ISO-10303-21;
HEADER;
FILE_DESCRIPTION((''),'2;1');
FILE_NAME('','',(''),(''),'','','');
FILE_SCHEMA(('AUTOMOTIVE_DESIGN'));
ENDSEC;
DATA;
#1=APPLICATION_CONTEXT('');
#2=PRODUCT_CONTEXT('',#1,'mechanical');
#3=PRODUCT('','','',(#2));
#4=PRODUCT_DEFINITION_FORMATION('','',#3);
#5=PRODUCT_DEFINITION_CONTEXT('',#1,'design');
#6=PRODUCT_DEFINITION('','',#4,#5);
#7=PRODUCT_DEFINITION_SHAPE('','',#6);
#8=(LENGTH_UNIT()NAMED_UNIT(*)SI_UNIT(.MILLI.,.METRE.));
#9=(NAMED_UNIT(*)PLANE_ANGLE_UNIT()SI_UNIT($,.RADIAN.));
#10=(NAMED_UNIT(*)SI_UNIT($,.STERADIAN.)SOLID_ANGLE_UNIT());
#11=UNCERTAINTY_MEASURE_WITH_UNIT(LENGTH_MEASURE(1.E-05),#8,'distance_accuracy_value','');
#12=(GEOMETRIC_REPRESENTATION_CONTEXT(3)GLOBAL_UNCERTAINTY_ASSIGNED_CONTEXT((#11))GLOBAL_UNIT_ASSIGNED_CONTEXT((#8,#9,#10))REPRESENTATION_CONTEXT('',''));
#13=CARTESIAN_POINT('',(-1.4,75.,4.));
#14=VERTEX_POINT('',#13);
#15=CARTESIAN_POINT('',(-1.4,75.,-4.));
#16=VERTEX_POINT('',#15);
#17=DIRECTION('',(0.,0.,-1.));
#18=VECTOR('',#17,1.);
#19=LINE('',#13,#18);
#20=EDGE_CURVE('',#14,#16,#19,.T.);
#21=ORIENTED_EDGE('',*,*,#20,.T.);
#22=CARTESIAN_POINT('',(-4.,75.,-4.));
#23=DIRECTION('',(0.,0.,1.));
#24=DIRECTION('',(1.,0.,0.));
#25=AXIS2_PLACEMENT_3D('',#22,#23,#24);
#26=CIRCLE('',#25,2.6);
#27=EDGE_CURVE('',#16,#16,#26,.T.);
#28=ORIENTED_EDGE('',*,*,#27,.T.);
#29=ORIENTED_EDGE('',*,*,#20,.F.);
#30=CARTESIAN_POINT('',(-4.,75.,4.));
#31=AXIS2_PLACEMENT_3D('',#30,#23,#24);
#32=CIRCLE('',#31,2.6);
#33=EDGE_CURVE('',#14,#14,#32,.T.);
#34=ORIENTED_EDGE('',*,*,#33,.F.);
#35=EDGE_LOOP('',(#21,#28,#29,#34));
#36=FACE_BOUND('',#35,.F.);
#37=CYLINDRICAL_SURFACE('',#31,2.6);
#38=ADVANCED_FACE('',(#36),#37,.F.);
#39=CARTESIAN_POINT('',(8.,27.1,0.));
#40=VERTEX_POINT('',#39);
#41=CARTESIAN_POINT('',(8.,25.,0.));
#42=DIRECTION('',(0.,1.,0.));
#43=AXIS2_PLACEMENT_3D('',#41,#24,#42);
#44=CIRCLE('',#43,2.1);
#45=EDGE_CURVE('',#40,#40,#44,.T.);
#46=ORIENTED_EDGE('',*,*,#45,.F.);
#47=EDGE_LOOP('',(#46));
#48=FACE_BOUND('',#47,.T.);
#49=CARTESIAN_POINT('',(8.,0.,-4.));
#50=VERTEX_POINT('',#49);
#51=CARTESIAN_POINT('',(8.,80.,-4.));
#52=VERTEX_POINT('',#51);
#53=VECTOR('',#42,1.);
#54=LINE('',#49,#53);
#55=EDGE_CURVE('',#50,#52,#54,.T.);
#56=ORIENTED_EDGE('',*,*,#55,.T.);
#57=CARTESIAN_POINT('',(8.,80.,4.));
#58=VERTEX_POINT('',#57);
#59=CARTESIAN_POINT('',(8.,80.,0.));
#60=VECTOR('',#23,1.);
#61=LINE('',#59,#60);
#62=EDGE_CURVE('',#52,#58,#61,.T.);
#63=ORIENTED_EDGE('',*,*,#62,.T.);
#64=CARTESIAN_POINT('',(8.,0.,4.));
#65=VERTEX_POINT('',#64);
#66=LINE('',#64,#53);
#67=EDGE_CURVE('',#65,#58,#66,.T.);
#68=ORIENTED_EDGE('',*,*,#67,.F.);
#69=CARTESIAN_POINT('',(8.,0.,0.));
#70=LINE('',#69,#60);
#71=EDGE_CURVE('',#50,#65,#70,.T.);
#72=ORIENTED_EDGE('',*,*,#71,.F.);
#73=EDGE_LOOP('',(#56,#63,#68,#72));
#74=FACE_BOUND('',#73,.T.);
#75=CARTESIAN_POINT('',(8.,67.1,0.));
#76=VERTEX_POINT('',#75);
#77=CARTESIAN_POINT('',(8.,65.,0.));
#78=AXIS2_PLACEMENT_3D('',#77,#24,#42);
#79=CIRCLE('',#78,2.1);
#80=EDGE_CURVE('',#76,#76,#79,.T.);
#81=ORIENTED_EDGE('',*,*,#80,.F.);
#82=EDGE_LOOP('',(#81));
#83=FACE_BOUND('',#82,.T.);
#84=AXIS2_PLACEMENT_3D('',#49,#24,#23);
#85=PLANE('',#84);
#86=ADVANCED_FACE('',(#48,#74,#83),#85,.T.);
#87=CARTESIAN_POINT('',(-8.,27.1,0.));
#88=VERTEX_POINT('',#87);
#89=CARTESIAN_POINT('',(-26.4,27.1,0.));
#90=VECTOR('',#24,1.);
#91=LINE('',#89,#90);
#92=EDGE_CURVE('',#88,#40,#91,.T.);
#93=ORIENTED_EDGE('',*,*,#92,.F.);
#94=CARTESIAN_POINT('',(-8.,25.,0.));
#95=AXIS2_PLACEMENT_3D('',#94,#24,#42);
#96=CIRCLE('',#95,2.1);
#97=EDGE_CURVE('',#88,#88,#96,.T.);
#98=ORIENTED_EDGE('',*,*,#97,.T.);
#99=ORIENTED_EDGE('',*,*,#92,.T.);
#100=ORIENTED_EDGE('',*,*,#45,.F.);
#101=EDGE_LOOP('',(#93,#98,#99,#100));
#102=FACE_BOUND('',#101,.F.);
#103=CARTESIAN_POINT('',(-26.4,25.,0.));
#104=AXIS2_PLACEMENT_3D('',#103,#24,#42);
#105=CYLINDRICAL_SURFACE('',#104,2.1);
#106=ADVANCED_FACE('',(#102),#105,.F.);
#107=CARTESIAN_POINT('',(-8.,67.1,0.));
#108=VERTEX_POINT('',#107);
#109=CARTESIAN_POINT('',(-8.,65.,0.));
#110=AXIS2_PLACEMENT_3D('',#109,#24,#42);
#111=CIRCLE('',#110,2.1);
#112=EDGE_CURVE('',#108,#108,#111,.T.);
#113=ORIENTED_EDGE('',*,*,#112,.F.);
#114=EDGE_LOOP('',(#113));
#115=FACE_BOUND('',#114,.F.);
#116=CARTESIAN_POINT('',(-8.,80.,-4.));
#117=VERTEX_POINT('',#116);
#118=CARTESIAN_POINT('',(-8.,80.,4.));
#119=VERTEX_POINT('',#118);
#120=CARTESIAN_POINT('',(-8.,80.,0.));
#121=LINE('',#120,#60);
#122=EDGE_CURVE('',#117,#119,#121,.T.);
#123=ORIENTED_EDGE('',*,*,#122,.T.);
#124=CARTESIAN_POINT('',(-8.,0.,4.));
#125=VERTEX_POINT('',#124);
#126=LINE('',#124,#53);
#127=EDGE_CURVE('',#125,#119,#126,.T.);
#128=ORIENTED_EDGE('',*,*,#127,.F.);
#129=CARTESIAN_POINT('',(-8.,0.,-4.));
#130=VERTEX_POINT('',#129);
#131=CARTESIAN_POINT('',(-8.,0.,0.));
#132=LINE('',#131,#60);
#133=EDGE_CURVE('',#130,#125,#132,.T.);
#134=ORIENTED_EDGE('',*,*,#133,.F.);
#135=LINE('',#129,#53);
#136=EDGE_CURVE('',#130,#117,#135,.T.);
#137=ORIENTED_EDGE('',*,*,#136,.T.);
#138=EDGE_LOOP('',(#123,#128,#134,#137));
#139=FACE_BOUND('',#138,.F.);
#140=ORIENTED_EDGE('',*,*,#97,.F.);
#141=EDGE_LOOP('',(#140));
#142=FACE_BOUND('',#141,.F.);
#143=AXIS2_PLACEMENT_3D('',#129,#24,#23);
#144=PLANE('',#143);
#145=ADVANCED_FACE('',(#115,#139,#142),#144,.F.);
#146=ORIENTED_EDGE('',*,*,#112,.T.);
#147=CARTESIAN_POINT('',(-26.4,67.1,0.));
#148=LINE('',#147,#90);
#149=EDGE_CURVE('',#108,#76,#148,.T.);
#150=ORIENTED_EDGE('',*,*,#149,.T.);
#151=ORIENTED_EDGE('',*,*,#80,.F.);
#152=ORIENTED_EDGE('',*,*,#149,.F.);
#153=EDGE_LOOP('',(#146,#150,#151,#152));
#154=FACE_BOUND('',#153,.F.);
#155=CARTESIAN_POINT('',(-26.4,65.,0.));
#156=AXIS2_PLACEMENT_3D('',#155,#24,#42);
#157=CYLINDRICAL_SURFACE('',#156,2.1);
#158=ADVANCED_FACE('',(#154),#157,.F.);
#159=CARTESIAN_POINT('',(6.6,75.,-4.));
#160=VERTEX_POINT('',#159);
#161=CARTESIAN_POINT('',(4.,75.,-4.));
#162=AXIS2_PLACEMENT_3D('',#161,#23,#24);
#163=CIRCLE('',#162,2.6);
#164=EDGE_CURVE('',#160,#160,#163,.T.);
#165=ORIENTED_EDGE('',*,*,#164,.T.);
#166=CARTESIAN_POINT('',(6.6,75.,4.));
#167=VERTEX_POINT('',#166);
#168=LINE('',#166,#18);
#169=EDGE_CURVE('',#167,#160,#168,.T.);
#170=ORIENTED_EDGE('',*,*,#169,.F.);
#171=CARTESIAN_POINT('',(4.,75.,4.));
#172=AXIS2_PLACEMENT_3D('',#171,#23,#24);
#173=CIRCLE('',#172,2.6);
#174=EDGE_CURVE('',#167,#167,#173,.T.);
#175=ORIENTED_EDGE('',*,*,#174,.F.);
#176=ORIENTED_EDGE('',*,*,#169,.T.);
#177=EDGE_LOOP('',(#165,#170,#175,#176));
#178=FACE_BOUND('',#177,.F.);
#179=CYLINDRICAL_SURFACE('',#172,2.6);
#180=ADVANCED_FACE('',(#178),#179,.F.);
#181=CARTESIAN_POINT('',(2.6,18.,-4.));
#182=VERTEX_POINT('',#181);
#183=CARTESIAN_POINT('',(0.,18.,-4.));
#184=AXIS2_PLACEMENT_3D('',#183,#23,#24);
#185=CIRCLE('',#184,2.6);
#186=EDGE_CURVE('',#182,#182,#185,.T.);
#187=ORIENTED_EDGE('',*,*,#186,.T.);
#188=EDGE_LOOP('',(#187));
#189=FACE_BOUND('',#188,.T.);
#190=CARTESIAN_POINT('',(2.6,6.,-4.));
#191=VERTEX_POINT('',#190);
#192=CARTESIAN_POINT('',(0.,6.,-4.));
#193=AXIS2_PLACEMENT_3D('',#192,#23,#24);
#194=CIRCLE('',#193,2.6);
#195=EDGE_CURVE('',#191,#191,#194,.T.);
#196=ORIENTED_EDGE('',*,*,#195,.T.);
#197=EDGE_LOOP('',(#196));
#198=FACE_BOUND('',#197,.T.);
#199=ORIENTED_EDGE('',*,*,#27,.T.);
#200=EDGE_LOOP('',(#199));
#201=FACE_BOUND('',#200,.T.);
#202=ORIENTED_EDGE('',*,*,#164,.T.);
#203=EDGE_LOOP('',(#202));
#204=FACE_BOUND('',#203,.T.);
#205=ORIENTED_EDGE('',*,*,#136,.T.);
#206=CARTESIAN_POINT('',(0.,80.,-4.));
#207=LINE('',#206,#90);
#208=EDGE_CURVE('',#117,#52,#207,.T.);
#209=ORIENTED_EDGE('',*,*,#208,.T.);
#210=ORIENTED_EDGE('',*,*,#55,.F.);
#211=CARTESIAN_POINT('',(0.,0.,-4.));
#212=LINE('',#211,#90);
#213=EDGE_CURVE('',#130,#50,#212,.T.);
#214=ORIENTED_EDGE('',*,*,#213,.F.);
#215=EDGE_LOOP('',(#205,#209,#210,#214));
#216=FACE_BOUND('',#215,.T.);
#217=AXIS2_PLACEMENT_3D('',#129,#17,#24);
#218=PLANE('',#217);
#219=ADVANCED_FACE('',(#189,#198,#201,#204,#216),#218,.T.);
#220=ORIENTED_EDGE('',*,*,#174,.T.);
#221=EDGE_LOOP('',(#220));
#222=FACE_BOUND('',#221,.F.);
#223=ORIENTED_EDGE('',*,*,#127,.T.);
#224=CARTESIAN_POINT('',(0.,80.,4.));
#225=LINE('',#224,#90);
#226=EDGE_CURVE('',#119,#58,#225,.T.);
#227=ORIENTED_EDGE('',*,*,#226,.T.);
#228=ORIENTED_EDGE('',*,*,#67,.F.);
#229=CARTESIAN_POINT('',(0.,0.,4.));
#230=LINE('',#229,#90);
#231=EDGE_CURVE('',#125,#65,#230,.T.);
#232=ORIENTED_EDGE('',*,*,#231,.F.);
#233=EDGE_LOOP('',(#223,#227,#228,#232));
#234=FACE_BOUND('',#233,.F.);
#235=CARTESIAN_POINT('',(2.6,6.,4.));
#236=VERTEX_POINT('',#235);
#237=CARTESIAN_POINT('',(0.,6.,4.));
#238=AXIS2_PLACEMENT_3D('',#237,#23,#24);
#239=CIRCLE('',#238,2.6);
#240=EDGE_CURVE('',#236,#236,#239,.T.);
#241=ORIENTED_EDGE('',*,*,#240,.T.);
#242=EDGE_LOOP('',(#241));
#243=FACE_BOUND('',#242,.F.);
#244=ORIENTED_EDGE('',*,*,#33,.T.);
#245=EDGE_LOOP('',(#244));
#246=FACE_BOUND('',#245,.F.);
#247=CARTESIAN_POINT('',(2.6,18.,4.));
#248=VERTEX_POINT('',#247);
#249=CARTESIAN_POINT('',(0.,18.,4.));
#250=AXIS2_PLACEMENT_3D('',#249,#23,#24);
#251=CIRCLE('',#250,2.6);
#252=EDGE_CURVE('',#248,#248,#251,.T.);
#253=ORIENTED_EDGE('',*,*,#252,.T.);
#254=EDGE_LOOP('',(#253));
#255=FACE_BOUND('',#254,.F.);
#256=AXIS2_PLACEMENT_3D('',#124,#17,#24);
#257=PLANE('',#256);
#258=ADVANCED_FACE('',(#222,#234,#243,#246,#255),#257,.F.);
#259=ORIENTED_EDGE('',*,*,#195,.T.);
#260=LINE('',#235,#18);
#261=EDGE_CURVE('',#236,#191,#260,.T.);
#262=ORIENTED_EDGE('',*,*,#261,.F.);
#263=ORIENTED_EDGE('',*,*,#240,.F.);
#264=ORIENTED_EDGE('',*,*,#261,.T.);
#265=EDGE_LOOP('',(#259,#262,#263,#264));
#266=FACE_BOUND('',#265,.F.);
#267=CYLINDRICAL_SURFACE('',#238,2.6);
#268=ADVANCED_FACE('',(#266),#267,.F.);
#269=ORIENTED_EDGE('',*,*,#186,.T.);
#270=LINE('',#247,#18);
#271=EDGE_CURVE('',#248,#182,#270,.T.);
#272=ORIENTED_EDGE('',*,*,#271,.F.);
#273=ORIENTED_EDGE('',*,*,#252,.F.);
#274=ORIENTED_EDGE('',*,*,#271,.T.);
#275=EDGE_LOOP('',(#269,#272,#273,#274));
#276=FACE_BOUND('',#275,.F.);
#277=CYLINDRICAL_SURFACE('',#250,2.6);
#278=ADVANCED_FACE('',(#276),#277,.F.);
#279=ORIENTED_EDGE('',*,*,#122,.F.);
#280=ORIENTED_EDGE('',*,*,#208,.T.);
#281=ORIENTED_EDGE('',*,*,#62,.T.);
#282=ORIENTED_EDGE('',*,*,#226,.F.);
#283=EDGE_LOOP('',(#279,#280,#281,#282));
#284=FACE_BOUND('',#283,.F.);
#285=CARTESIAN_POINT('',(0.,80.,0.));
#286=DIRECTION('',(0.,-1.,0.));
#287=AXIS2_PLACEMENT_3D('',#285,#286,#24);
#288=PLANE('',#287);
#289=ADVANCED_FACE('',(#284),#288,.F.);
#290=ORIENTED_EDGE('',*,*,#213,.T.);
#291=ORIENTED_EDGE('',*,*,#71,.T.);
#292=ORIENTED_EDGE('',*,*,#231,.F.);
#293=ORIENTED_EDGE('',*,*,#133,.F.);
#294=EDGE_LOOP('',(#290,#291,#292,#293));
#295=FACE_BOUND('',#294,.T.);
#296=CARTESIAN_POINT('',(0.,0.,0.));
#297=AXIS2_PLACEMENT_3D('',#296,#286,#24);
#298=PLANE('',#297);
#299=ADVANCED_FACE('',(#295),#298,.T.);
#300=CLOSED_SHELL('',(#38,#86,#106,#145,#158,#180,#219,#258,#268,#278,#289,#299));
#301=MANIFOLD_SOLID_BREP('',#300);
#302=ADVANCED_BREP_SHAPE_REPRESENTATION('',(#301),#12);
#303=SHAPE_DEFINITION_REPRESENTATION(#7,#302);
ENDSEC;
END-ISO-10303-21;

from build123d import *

# Parameters (mm, degrees)
F0_W          = 16
F0_H          = 8
F1_DEPTH      = 80
F2_R          = 2.6
F4_DEPTH      = 25
F4_DEPTH_BACK = 25
F5_D          = 4.2
F5_DEPTH      = 18.4
F5_TIP        = 1.2618073


with BuildPart() as f1:
    # F0 (on Front) → F1 (new body)
    with BuildSketch(Plane.XZ):
        Rectangle(F0_W, F0_H)
    extrude(amount=-F1_DEPTH)

    # F2 (on face) → F4 (cut, two sides)
    with BuildSketch(Plane.XY.offset(4)) as f4_sk:
        with Locations((0, 18)):
            Circle(F2_R)
        with Locations((0, 6)):
            Circle(F2_R)
        with Locations((4, 75)):
            Circle(F2_R)
        with Locations((-4, 75)):
            Circle(F2_R)
    extrude(amount=-F4_DEPTH, mode=Mode.SUBTRACT)
    extrude(f4_sk.sketch, amount=F4_DEPTH_BACK, mode=Mode.SUBTRACT)

    # F5
    with Locations(Plane(origin=(-8, 0, 0), x_dir=(0, -1, 0), z_dir=(-1, 0, 0))):
        with Locations((-65, 0), (-25, 0)):
            Hole(F5_D / 2, depth=F5_DEPTH)
            with Locations((0, 0, -(F5_DEPTH + F5_TIP / 2))):  # 118° drill point
                Cone(0, F5_D / 2, F5_TIP, mode=Mode.SUBTRACT)


solid = f1.part
